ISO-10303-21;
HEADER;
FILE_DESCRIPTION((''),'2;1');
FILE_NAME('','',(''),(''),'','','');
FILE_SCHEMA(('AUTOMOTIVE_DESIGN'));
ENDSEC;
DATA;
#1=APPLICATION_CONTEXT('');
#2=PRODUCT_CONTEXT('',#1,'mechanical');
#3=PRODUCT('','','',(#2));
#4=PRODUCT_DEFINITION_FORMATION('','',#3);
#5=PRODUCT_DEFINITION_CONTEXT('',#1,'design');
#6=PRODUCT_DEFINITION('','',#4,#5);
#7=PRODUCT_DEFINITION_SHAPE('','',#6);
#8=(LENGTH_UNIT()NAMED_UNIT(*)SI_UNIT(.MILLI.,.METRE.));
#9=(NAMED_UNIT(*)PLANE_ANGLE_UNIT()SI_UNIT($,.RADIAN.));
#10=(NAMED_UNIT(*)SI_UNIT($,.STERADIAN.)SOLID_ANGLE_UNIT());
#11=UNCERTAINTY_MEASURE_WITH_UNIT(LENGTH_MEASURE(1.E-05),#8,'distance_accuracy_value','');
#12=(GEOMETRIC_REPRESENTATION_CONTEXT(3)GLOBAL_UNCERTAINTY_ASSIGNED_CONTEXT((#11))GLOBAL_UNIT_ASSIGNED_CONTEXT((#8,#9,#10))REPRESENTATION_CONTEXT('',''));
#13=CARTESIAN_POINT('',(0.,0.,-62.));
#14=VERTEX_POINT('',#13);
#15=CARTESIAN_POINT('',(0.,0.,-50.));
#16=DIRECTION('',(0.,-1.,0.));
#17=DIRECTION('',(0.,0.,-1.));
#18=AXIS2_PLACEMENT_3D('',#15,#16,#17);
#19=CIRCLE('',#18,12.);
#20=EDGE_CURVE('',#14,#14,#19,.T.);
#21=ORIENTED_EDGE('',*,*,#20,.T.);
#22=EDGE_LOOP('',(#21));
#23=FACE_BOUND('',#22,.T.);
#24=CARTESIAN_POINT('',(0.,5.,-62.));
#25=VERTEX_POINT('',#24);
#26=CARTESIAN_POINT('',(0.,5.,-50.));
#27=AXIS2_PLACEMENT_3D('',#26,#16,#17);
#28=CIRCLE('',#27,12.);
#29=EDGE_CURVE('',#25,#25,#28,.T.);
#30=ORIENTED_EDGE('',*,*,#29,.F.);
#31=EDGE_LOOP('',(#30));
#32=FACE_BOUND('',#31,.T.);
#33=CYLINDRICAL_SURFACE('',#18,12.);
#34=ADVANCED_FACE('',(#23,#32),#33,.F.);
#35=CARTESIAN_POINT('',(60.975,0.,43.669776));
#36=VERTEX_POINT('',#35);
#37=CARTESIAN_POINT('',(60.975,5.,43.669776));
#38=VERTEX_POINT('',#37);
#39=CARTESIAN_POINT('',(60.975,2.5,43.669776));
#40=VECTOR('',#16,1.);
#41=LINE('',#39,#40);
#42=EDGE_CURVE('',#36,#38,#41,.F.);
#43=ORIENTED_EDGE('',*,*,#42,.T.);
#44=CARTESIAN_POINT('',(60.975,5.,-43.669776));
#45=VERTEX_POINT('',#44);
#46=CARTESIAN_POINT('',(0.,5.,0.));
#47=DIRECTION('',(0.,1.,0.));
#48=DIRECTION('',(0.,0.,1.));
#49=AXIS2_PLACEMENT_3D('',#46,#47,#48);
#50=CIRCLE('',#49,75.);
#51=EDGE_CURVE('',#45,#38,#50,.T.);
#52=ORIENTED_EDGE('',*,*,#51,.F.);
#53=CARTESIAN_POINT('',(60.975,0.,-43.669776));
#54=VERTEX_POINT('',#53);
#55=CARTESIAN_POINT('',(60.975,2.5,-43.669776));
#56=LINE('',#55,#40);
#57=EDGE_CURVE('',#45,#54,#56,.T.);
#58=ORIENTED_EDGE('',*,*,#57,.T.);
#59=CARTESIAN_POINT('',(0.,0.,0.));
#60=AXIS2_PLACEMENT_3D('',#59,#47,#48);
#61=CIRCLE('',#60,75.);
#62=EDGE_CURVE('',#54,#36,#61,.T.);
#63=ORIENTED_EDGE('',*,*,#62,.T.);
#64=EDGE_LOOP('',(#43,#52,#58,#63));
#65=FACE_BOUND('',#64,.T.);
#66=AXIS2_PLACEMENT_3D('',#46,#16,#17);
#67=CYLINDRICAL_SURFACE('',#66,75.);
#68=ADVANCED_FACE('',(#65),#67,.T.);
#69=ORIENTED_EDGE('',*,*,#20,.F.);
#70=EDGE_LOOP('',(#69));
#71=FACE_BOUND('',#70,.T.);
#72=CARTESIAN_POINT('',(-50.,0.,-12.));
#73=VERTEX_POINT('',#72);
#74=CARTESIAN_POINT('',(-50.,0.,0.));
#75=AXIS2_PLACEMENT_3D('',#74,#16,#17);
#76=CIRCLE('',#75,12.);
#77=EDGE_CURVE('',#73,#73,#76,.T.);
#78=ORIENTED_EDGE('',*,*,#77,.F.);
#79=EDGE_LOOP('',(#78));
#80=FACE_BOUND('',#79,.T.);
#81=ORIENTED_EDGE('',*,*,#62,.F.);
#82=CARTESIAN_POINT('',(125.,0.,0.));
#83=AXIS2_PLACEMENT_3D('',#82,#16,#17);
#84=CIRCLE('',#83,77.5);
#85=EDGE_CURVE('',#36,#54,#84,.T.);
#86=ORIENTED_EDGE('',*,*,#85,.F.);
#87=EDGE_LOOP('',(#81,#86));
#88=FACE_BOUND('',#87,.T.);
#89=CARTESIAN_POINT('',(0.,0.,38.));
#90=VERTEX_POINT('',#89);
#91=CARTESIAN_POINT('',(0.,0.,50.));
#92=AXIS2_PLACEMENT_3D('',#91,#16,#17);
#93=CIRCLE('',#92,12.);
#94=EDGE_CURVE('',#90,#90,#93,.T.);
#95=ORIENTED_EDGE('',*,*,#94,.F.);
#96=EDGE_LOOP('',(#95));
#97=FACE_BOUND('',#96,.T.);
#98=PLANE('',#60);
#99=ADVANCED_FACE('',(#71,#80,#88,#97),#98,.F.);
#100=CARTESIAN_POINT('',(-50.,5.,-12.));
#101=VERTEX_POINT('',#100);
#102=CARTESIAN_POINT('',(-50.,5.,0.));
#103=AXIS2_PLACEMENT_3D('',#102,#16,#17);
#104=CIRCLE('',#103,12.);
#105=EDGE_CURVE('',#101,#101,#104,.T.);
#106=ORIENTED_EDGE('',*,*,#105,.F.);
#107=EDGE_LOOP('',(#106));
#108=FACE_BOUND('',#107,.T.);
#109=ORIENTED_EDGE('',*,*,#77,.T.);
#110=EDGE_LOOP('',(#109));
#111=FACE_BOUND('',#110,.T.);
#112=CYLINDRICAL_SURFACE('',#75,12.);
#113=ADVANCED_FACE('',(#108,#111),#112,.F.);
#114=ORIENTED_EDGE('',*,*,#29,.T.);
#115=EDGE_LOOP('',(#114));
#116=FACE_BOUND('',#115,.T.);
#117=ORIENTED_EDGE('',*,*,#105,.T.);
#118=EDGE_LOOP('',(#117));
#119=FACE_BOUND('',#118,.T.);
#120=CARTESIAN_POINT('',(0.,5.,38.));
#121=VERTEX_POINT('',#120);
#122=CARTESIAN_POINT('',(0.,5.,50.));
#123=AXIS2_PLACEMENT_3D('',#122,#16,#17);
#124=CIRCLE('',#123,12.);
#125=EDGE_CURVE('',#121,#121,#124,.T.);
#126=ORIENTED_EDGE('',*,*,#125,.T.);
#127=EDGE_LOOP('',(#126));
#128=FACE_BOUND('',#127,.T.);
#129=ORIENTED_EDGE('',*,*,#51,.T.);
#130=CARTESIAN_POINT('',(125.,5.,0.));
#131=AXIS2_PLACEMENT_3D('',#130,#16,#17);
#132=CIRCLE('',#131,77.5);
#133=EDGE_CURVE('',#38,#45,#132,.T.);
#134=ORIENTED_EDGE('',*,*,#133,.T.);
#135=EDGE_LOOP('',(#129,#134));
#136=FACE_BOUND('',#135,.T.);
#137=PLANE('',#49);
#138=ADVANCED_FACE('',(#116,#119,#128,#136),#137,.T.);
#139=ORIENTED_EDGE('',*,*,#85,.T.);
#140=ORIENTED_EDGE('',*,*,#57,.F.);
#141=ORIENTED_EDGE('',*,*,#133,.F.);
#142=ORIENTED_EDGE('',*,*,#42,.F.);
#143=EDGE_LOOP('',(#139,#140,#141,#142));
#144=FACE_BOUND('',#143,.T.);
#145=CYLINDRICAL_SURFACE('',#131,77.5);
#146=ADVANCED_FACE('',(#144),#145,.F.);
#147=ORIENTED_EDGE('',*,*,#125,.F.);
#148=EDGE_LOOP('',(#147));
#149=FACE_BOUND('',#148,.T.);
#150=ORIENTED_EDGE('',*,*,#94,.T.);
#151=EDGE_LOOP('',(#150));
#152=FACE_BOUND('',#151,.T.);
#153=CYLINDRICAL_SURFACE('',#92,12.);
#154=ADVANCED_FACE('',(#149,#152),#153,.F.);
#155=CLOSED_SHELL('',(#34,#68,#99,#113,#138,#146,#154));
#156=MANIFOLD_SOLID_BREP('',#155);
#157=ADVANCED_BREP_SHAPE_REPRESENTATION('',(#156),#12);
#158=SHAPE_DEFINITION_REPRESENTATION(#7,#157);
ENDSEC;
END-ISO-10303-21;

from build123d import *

# Parameters (mm, degrees)
SKETCH_1_R          = 75
EXTRUDE_1_DEPTH     = 5
HOLE_WIZARD_1_D     = 24
SKETCH_4_R          = 77.5
CUT_EXTRUDE_1_DEPTH = 5


with BuildPart() as part:
    # 草图1 → 凸台-拉伸1 (new body)
    with BuildSketch(Plane(origin=(0, 0, 0), x_dir=(1, 0, 0), z_dir=(0, 1, 0))):
        with Locations(Location((0, 0, 0), (0, 0, 270))):
            Circle(SKETCH_1_R)
    extrude(amount=EXTRUDE_1_DEPTH)

    # 孔1 (through all)
    with Locations(Plane.XZ):
        with Locations((0, 50), (0, -50), (-50, 0)):
            Hole(HOLE_WIZARD_1_D / 2)

    # 草图4 → 切除-拉伸1 (cut)
    with BuildSketch(Plane.XZ):
        with Locations((125, 0)):
            Circle(SKETCH_4_R)
    extrude(amount=-CUT_EXTRUDE_1_DEPTH, mode=Mode.SUBTRACT)


solid = part.part
